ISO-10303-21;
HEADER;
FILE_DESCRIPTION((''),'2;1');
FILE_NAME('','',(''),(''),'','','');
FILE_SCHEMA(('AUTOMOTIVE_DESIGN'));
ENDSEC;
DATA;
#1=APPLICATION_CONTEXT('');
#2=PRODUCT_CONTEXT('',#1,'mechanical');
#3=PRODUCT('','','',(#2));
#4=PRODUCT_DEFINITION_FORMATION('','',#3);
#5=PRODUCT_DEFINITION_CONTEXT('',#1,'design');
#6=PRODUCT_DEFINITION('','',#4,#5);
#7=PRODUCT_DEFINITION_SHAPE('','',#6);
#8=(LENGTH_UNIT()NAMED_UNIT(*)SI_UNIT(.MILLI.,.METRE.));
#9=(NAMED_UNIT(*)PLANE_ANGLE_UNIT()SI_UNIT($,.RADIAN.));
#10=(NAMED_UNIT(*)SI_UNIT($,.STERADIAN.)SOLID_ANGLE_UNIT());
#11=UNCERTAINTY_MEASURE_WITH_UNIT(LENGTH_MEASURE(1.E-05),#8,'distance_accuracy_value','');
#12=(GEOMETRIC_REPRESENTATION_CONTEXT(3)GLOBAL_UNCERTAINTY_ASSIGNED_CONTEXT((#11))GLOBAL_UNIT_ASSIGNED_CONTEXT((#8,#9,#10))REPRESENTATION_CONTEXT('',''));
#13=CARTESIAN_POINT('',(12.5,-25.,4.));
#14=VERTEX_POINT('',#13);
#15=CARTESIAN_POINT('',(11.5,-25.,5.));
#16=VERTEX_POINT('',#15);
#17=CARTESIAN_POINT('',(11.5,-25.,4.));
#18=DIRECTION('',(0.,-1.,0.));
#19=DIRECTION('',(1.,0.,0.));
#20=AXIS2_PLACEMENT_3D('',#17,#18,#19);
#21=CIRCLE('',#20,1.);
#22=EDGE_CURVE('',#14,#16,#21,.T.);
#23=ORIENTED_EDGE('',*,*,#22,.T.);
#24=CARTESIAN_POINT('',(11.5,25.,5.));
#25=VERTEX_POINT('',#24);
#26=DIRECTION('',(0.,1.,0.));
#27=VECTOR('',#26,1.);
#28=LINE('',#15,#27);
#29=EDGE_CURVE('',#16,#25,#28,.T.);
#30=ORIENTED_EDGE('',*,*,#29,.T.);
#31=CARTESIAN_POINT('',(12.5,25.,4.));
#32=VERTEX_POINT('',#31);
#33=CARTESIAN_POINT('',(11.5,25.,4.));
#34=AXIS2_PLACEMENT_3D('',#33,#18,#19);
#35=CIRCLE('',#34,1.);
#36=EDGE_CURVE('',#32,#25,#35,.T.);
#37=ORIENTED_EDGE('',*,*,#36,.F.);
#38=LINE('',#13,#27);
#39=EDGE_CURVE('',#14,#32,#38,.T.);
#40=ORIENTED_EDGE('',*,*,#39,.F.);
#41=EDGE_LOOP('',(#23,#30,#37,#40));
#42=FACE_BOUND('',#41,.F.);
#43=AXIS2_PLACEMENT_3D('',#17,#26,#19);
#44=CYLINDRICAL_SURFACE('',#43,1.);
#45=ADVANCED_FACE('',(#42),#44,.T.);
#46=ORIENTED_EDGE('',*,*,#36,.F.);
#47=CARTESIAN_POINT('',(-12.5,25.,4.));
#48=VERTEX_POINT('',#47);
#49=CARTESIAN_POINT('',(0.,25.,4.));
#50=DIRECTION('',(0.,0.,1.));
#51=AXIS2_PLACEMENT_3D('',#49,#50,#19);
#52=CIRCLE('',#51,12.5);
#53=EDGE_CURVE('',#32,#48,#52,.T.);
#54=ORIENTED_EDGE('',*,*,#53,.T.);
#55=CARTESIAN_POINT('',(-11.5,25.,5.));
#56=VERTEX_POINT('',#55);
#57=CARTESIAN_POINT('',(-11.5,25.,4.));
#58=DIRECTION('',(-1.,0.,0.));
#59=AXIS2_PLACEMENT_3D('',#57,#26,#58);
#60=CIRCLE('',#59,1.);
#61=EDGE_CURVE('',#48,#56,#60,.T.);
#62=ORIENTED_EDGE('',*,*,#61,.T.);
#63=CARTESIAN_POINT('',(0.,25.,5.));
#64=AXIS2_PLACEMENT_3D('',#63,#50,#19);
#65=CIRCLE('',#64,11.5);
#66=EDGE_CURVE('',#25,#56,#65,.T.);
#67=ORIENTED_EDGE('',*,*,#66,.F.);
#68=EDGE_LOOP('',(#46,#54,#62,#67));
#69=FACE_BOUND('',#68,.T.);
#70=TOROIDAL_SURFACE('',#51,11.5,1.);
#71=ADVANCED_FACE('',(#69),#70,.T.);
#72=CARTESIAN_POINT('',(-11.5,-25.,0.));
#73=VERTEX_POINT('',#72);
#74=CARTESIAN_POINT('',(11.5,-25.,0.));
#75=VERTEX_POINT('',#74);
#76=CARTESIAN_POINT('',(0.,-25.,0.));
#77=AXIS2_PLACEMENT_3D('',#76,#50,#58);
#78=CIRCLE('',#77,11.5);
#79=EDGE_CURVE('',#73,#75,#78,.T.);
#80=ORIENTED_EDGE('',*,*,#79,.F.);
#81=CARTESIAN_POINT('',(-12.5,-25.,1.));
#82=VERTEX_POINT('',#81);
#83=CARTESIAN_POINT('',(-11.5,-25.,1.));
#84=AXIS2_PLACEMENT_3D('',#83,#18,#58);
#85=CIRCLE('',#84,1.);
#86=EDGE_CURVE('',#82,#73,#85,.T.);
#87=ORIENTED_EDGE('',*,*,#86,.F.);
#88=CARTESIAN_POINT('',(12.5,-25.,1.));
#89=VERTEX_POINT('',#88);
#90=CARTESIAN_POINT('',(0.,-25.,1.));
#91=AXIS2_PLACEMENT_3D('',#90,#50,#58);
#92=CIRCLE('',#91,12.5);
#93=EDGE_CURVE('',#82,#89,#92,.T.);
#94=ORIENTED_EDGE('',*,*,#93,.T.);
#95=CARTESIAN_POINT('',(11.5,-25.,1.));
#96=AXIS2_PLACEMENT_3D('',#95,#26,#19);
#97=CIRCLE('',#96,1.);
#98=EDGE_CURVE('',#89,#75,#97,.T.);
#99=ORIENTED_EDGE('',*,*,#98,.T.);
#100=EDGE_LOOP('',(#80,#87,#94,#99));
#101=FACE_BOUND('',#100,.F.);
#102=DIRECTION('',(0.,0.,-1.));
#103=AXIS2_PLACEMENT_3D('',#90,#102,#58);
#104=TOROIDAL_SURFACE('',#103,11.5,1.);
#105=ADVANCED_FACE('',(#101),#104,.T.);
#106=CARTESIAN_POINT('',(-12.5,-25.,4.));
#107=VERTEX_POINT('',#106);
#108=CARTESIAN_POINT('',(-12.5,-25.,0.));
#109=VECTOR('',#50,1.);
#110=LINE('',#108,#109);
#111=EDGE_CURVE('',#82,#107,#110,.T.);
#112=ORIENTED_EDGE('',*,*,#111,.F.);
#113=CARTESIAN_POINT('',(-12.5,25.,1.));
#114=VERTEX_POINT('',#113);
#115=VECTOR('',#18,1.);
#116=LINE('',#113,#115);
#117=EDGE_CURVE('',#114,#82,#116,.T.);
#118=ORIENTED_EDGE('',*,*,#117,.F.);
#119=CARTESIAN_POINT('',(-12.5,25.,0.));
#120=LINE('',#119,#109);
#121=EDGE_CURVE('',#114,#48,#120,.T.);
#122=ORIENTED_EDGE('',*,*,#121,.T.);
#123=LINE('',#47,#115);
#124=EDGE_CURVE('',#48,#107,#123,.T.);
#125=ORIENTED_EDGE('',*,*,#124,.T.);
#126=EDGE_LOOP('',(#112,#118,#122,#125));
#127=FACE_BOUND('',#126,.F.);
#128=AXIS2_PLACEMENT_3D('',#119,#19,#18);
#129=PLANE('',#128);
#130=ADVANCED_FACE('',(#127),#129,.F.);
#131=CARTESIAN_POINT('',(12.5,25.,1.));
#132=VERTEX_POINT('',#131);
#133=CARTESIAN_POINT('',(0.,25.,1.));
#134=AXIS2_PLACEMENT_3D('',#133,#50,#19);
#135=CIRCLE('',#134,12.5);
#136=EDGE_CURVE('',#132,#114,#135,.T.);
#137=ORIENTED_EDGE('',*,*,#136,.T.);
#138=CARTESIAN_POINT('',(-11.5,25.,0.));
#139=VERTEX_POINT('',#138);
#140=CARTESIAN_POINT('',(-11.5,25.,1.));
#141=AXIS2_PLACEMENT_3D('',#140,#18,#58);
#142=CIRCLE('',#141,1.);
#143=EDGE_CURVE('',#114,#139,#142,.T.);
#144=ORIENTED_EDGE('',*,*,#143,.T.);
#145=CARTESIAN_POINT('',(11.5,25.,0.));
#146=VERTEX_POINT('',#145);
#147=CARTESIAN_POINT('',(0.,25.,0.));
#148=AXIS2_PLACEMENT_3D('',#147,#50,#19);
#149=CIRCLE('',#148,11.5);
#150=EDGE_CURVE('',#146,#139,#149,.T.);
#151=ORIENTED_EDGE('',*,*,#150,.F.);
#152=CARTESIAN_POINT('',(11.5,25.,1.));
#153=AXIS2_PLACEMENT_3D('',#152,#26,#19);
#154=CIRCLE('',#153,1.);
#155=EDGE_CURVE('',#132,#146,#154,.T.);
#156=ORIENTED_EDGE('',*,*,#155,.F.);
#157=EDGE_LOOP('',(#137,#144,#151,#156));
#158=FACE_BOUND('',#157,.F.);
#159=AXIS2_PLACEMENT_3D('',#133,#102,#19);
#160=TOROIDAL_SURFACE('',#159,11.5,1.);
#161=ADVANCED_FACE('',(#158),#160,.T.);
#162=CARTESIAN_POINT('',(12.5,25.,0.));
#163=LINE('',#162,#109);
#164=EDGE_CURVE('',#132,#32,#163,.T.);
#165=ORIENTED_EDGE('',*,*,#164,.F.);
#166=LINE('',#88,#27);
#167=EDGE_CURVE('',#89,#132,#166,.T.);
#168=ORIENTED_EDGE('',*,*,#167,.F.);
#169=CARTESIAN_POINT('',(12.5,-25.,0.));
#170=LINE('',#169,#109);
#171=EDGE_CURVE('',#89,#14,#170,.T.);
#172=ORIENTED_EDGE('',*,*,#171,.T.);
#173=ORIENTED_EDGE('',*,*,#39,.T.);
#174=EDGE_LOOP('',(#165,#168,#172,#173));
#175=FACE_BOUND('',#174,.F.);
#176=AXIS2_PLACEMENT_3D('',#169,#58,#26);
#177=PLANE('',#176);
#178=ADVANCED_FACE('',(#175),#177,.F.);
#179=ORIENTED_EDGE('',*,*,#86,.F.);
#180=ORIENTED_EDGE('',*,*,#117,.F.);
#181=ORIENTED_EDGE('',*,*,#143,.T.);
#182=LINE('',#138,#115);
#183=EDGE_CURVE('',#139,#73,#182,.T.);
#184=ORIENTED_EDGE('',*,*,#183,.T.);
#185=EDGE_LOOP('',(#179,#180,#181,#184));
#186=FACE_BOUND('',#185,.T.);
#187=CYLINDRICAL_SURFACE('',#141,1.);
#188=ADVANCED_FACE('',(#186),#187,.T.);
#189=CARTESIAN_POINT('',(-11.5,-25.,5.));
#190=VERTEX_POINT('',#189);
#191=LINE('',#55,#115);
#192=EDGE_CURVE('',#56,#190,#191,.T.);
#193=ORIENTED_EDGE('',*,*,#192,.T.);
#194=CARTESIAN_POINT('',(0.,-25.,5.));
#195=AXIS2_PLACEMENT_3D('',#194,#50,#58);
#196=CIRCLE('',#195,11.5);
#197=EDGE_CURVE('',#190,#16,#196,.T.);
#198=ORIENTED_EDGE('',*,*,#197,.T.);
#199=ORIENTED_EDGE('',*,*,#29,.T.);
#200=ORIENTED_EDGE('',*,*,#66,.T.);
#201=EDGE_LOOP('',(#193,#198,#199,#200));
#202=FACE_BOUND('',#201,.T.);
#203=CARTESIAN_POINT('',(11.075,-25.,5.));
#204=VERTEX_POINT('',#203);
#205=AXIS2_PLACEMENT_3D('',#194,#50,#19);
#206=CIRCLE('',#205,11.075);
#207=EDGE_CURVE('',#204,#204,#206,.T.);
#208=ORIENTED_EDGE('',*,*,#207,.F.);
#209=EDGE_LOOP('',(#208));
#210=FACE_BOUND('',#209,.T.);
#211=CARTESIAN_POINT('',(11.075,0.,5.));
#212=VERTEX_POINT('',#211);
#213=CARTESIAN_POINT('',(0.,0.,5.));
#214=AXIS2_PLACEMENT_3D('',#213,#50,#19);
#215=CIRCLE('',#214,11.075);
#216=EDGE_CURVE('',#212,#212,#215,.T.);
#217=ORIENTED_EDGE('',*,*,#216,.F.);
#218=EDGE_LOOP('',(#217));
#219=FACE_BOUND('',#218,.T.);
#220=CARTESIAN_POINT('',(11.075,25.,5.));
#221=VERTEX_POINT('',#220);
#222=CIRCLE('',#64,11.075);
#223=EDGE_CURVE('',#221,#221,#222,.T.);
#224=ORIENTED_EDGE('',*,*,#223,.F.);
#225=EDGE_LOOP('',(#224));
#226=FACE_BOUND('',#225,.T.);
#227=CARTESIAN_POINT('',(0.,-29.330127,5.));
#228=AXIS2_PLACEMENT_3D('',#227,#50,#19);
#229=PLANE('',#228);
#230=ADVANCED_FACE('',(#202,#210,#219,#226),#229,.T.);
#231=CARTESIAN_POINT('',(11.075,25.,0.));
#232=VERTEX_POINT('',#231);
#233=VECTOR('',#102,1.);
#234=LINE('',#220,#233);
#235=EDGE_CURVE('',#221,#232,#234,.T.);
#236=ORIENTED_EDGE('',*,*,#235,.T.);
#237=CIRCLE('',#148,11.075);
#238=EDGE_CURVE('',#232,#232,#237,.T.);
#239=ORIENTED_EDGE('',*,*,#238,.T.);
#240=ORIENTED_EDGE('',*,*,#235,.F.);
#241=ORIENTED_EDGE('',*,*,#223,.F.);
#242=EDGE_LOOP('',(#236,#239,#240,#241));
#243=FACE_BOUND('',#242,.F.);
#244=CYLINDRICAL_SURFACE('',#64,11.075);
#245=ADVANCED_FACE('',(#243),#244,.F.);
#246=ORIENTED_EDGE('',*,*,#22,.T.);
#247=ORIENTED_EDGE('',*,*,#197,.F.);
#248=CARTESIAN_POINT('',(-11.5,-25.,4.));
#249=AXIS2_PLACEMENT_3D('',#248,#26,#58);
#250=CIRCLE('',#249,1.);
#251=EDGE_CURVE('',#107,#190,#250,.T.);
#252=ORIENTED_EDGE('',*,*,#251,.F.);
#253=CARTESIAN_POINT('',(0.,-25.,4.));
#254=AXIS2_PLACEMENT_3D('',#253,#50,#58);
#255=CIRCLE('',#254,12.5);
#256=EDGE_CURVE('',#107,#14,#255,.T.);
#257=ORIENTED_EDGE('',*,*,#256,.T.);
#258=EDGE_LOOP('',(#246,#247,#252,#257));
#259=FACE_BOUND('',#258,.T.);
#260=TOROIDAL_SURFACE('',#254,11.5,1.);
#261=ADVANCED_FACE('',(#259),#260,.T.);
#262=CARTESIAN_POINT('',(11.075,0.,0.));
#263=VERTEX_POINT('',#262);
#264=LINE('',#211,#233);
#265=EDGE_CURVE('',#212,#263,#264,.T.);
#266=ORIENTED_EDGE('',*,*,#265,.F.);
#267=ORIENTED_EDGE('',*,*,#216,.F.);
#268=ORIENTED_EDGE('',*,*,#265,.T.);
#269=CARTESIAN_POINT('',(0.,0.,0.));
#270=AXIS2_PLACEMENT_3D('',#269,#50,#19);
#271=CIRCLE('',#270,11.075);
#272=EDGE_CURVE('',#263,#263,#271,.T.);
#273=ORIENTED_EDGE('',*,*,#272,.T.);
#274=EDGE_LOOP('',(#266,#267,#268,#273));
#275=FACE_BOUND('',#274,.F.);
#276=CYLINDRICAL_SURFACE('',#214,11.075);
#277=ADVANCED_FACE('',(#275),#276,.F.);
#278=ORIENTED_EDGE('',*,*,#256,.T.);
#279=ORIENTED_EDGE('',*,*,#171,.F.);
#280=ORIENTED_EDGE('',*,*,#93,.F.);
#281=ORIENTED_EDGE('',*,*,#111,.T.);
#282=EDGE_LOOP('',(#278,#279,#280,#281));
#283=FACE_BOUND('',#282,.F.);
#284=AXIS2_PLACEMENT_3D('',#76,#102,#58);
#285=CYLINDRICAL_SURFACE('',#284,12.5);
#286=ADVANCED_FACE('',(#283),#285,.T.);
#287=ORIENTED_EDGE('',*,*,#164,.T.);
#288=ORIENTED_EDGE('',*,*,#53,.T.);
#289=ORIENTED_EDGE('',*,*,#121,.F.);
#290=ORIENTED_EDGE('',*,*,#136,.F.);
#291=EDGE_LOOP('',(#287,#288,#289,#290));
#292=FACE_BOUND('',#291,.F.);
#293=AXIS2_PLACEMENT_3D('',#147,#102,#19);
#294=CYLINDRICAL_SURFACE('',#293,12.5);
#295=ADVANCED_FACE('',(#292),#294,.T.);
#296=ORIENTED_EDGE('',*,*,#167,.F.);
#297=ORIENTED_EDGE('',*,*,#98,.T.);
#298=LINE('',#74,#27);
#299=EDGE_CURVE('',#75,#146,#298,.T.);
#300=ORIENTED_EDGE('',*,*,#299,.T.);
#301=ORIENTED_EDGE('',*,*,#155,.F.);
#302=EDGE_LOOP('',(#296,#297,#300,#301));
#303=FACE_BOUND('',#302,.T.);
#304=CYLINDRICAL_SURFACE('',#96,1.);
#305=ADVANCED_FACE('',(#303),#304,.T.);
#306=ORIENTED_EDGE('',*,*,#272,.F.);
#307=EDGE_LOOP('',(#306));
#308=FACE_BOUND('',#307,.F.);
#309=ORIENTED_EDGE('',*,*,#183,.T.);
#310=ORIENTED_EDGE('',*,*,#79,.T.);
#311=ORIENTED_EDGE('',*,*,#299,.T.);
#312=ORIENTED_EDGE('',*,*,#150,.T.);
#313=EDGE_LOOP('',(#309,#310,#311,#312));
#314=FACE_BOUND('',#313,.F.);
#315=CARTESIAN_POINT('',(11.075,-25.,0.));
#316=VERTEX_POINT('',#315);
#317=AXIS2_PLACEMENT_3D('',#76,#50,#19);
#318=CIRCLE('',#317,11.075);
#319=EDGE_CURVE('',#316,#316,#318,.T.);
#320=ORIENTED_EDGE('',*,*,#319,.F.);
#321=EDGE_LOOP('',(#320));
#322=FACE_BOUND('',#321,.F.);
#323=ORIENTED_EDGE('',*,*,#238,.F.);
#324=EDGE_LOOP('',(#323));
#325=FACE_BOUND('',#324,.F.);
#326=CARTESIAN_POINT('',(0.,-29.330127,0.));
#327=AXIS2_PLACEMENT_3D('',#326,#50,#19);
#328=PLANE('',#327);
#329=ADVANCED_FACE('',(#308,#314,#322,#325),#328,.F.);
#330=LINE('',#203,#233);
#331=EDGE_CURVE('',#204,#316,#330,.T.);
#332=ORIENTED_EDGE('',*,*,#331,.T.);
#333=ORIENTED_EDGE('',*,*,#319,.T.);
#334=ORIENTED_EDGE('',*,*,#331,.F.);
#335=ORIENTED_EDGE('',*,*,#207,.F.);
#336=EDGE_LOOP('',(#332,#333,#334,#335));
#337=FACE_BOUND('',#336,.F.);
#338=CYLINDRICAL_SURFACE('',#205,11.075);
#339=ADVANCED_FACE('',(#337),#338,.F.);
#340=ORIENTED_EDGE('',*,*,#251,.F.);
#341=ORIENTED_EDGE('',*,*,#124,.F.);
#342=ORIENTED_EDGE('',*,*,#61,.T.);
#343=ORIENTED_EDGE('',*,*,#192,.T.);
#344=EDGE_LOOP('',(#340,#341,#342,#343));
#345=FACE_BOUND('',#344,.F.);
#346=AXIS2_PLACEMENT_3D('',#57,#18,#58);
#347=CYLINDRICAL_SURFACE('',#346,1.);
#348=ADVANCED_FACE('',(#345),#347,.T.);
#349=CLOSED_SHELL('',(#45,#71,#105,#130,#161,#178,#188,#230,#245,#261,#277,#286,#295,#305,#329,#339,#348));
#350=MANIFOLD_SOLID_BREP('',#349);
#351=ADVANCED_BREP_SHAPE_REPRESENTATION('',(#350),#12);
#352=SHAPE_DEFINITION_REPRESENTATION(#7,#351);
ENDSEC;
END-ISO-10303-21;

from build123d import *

# Parameters (mm, degrees)
F1_DEPTH = 5
F2_R     = 11.075
F3_DEPTH = 25
F4_R     = 1


with BuildPart() as f1:
    # F0 (on Top) → F1 (new body)
    with BuildSketch(Plane.XY):
        with BuildLine():
            ThreePointArc((-12.5, -25), (0, -37.5), (12.5, -25))
            Line((12.5, -25), (-12.5, -25))
        make_face()
        with BuildLine():
            Line((-12.5, 25), (12.5, 25))
            ThreePointArc((12.5, 25), (0, 37.5), (-12.5, 25))
        make_face()
        with BuildLine():
            Line((12.5, -25), (12.5, 0))
            ThreePointArc((12.5, 0), (8.838835, -8.838835), (0, -12.5))
            ThreePointArc((0, -12.5), (8.838835, -16.161165), (12.5, -25))
        make_face()
        with BuildLine():
            ThreePointArc((-12.5, -25), (-8.838835, -16.161165), (0, -12.5))
            ThreePointArc((0, -12.5), (-8.838835, -8.838835), (-12.5, 0))
            Line((-12.5, 0), (-12.5, -25))
        make_face()
        with BuildLine():
            ThreePointArc((-12.5, 0), (-8.838835, 8.838835), (0, 12.5))
            ThreePointArc((0, 12.5), (-8.838835, 16.161165), (-12.5, 25))
            Line((-12.5, 25), (-12.5, 0))
        make_face()
        with BuildLine():
            ThreePointArc((0, 12.5), (8.838835, 8.838835), (12.5, 0))
            Line((12.5, 0), (12.5, 25))
            ThreePointArc((12.5, 25), (8.838835, 16.161165), (0, 12.5))
        make_face()
        with BuildLine():
            ThreePointArc((-12.5, 25), (-8.838835, 16.161165), (0, 12.5))
            ThreePointArc((0, 12.5), (8.838835, 16.161165), (12.5, 25))
            Line((12.5, 25), (-12.5, 25))
        make_face()
        with BuildLine():
            ThreePointArc((12.5, -25), (8.838835, -16.161165), (0, -12.5))
            ThreePointArc((0, -12.5), (-8.838835, -16.161165), (-12.5, -25))
            Line((-12.5, -25), (12.5, -25))
        make_face()
        with BuildLine():
            ThreePointArc((0, -12.5), (8.838835, -8.838835), (12.5, 0))
            ThreePointArc((12.5, 0), (8.838835, 8.838835), (0, 12.5))
            ThreePointArc((0, 12.5), (-8.838835, 8.838835), (-12.5, 0))
            ThreePointArc((-12.5, 0), (-8.838835, -8.838835), (0, -12.5))
        make_face()
    extrude(amount=F1_DEPTH)

    # F2 (on face) → F3 (cut)
    with BuildSketch(Plane.XY.offset(5)):
        with Locations((0, 25)):
            Circle(F2_R)
        Circle(F2_R)
        with Locations((0, -25)):
            Circle(F2_R)
    extrude(amount=-F3_DEPTH, mode=Mode.SUBTRACT)

    # F4
    f4_edges = [f1.edges().sort_by_distance(p)[0] for p in [
        (12.5, 0, 5),
        (0, 37.5, 5),
        (-12.5, 0, 5),
        (-12.5, -25, 2.5),
        (-12.5, 0, 0),
        (-12.5, 25, 2.5),
        (12.5, 0, 0),
    ]]
    fillet(f4_edges, radius=F4_R)


solid = f1.part
